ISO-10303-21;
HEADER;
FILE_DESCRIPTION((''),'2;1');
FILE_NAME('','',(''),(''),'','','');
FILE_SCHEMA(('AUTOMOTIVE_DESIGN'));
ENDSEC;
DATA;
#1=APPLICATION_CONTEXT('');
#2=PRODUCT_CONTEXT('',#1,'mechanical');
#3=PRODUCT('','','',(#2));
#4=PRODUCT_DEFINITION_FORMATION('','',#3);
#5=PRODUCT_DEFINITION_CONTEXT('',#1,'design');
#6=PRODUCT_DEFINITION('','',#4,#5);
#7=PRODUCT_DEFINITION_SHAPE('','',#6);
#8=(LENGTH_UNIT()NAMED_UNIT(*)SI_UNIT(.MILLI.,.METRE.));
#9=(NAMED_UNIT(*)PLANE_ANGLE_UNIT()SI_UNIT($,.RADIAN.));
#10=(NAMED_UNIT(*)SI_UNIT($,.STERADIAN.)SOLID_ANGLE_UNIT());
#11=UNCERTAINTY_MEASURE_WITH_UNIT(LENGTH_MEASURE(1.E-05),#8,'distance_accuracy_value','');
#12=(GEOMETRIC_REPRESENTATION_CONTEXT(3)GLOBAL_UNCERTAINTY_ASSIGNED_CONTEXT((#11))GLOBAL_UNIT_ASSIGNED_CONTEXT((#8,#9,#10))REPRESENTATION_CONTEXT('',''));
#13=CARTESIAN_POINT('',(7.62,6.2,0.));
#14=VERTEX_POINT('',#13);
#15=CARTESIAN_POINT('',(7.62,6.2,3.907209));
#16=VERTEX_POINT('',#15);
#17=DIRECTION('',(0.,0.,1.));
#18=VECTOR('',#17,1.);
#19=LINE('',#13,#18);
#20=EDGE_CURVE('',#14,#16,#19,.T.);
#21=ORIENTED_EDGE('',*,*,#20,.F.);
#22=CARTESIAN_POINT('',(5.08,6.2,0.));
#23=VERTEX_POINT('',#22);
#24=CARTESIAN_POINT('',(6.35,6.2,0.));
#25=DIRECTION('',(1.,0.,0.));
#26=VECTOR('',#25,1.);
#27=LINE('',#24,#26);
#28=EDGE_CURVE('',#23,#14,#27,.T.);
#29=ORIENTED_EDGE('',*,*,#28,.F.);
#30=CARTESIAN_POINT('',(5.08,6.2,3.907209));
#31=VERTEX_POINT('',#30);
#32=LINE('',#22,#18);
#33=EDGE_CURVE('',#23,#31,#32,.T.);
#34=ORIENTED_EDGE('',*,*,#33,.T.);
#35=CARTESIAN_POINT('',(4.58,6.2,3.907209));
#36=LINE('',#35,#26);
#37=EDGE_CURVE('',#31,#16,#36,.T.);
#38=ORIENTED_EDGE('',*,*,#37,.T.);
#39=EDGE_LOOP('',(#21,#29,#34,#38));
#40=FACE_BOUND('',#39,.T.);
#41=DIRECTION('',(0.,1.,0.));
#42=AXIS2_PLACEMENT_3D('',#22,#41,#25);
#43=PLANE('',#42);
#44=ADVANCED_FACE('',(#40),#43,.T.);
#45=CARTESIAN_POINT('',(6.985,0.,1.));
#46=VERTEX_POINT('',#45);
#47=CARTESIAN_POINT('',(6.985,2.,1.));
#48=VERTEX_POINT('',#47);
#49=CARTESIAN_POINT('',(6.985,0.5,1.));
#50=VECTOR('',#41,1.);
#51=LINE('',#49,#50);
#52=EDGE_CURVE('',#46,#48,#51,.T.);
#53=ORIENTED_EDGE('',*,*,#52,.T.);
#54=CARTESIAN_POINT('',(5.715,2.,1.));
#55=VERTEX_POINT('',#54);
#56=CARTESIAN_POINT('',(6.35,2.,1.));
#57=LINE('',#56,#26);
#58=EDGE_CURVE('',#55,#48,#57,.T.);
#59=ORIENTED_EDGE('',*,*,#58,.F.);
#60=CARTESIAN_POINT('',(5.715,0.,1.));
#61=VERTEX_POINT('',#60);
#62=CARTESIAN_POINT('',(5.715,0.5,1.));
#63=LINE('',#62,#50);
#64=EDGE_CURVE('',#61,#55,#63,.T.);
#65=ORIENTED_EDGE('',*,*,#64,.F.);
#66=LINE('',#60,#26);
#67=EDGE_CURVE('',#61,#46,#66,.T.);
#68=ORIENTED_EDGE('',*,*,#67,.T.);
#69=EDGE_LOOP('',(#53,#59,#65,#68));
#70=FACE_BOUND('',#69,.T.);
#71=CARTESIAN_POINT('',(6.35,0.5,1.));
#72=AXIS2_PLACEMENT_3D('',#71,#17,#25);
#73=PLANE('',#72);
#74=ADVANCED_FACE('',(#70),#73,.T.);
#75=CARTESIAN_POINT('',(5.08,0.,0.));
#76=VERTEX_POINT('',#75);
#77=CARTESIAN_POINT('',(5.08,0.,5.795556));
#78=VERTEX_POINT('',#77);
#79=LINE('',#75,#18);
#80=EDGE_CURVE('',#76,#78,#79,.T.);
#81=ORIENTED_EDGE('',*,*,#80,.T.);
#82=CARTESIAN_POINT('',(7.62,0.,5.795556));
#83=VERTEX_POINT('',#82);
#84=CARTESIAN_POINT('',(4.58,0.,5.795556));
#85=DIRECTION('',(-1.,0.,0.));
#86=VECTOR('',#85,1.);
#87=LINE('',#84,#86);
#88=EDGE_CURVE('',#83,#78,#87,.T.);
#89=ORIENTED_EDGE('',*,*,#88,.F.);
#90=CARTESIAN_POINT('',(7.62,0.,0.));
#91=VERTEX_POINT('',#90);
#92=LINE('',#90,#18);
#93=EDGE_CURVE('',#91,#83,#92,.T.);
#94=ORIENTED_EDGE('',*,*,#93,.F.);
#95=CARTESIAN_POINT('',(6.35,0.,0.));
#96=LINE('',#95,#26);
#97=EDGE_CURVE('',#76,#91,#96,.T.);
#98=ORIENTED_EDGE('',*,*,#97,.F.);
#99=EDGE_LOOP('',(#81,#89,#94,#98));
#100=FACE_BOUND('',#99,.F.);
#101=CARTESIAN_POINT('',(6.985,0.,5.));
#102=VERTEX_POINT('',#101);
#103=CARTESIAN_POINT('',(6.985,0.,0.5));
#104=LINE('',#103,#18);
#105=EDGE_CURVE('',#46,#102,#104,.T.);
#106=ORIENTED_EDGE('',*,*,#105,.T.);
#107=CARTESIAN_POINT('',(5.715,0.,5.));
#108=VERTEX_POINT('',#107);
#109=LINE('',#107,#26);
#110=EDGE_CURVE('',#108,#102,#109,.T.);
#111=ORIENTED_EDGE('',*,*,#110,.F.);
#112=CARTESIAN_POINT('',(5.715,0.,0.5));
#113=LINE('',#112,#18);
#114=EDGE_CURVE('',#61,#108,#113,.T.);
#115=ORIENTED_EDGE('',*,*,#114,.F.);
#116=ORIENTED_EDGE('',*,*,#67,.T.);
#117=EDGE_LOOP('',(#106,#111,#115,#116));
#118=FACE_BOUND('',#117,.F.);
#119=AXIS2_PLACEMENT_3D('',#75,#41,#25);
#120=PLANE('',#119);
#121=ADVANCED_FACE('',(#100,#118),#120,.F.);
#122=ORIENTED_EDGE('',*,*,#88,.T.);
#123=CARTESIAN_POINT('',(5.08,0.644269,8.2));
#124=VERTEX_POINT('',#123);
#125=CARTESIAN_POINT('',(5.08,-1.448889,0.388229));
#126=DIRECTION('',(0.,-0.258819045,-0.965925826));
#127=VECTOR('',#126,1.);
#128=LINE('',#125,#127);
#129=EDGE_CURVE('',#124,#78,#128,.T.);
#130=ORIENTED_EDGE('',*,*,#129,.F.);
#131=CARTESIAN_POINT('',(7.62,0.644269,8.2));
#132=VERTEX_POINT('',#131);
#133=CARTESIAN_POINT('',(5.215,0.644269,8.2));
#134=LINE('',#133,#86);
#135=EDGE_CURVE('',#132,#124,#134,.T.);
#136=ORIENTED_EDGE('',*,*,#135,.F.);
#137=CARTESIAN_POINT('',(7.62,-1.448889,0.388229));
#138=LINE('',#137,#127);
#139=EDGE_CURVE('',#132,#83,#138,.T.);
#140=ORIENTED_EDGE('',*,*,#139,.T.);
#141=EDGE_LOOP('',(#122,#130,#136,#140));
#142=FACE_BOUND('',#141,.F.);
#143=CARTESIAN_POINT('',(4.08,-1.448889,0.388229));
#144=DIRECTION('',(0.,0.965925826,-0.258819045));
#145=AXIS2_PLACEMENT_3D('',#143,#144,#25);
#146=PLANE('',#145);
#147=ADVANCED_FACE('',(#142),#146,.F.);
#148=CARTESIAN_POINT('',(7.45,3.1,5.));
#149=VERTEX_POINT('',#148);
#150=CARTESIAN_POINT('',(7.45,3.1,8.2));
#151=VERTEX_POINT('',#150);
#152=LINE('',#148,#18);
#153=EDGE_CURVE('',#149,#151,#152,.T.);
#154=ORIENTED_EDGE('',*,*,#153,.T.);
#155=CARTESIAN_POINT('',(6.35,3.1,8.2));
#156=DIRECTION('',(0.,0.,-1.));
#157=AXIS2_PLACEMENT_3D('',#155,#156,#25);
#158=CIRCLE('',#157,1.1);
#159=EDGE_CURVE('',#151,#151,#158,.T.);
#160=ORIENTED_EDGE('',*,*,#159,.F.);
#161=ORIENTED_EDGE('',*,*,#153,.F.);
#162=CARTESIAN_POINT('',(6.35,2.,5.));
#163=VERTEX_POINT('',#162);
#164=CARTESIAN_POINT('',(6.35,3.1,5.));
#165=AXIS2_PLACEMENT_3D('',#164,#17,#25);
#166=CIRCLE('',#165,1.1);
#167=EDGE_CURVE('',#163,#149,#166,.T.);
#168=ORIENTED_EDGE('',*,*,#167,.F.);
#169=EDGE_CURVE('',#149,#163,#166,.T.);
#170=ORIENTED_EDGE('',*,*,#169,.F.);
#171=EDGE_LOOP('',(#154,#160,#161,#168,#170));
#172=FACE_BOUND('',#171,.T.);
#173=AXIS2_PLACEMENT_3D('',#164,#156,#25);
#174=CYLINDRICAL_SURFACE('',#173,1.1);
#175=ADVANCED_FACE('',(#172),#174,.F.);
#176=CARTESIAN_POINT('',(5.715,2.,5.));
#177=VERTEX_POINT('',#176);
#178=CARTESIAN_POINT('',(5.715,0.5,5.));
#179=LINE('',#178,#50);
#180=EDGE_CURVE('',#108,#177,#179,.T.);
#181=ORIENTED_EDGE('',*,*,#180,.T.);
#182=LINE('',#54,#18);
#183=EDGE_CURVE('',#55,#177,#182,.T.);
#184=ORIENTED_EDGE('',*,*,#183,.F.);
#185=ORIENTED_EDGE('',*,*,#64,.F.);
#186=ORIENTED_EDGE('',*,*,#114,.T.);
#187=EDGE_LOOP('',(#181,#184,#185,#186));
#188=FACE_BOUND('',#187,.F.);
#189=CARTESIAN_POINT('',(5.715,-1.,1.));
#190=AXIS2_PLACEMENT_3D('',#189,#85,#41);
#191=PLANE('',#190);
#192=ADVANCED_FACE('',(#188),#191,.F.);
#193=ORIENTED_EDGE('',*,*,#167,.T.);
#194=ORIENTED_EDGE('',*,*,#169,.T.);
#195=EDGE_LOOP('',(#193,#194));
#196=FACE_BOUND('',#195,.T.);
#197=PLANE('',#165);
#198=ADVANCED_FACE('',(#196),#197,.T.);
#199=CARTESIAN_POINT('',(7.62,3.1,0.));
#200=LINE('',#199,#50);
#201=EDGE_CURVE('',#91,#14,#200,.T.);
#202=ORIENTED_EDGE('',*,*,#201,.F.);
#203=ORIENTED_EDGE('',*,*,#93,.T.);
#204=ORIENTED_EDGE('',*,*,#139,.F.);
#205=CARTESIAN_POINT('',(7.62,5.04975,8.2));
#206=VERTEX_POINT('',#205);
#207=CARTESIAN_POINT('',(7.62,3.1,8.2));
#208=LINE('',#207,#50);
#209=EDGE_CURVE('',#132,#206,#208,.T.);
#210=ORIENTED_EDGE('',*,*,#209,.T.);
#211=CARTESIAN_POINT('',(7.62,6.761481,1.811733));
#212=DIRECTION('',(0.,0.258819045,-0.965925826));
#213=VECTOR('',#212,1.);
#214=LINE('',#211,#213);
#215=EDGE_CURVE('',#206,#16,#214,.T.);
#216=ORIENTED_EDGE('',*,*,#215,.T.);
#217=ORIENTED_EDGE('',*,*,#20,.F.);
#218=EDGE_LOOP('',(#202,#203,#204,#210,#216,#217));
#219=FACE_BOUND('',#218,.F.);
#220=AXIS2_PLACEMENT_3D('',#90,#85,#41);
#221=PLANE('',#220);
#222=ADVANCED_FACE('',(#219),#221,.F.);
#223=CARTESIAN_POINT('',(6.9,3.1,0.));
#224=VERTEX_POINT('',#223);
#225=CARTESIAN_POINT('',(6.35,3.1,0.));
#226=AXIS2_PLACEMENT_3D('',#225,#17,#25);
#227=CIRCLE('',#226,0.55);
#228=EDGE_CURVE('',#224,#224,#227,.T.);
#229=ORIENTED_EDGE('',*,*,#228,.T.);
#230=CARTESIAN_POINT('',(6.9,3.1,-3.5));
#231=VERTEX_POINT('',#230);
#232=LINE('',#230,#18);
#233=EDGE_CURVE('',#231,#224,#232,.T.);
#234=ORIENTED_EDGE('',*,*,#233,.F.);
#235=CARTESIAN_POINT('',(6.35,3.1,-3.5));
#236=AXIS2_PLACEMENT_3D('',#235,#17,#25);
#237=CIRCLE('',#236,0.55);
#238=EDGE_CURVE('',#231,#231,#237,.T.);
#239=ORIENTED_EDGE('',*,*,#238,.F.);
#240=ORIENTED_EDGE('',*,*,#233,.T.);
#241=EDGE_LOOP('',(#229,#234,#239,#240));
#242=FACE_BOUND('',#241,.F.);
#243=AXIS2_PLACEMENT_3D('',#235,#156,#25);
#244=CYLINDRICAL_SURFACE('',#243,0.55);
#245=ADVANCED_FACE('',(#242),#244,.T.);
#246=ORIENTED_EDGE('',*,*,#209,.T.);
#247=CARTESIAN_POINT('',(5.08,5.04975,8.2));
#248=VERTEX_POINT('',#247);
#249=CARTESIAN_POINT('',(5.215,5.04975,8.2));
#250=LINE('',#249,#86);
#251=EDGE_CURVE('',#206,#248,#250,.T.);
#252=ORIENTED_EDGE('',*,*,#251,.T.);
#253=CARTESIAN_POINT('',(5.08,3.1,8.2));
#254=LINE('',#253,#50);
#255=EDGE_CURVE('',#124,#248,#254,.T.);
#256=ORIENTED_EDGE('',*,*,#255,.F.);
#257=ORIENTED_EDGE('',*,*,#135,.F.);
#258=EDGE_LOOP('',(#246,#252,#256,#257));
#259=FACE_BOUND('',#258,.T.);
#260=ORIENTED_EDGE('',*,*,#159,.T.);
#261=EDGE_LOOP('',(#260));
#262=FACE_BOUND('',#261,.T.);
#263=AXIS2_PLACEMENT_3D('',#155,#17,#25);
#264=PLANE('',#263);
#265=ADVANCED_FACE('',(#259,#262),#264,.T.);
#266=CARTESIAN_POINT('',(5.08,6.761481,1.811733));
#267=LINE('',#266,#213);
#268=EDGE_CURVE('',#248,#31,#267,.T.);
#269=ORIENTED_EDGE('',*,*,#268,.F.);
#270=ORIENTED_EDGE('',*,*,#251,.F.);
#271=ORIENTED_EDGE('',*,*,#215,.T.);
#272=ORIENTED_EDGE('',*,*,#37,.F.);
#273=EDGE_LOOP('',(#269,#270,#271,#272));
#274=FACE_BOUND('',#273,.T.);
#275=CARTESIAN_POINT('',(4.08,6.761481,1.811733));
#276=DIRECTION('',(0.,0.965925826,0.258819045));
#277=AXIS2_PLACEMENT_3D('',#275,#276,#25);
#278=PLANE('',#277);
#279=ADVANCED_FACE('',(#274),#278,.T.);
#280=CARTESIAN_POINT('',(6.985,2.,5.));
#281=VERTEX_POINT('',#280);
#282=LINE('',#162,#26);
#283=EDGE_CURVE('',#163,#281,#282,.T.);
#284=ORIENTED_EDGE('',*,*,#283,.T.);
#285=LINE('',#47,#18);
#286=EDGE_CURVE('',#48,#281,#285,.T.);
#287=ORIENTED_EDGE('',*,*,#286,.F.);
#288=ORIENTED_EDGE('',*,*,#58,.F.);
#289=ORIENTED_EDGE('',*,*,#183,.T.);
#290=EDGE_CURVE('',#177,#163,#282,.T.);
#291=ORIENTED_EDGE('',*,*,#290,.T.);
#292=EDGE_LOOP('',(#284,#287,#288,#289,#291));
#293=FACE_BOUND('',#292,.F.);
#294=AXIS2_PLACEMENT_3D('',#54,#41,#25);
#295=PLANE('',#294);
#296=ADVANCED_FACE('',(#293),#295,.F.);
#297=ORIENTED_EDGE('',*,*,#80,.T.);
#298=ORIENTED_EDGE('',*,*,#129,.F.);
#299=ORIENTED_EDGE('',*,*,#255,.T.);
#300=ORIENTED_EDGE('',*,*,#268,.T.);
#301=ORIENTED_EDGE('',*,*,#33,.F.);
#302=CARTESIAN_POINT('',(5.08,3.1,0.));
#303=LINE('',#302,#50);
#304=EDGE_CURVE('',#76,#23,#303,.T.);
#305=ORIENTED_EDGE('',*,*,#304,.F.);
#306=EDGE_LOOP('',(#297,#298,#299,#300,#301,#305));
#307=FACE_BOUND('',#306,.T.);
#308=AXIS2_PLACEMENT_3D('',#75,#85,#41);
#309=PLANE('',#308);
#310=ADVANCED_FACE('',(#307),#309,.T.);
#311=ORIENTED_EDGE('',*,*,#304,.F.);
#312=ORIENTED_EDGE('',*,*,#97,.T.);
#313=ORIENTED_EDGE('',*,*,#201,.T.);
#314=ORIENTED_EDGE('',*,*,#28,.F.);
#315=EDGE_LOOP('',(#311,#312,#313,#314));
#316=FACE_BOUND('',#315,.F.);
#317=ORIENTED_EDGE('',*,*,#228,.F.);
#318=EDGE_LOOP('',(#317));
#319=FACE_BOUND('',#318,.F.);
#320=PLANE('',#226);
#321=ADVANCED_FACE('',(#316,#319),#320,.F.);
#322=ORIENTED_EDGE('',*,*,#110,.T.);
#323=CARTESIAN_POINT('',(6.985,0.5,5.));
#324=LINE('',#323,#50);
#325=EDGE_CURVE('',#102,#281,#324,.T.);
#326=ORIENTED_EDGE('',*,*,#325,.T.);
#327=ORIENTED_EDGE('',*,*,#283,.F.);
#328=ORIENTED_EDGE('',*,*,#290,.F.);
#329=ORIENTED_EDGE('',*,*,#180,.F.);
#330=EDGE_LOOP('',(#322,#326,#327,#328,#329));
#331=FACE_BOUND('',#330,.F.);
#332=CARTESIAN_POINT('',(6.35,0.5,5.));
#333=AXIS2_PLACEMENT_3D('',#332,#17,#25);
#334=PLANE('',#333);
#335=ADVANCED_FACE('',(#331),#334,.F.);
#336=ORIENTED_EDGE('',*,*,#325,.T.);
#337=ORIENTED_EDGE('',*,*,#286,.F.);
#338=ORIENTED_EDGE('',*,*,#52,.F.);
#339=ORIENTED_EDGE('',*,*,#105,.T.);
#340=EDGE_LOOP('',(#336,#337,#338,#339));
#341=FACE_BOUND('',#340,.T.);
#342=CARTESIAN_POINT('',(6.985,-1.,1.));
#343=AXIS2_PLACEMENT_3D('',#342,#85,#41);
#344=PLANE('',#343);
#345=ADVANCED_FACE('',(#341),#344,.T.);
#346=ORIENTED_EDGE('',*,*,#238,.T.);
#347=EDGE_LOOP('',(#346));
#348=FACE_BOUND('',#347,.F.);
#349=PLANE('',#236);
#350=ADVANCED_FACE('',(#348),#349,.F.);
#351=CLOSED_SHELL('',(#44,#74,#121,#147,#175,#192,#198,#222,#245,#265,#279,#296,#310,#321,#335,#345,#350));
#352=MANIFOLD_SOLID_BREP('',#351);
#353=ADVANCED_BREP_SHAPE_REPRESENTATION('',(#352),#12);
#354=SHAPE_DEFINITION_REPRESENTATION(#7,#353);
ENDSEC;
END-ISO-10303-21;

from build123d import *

# Parameters (mm, degrees)
CYLINDER005_R           = 0.55
CYLINDER005_DEPTH       = 3.5
CYLINDER004_R           = 1.1
CYLINDER004_DEPTH       = 3.5
CUBE011_W               = 4
CUBE011_H               = 6
CUBE011_DEPTH           = 9
CUBE011_PLACEMENT_ANGLE = 15
CUBE010_W               = 4
CUBE010_H               = 6
CUBE010_DEPTH           = 8
CUBE010_PLACEMENT_ANGLE = 15
CUBE009_W               = 1.27
CUBE009_H               = 3
CUBE009_DEPTH           = 4
CUBE008_W               = 2.54
CUBE008_H               = 6.2
CUBE008_DEPTH           = 8.2


with BuildPart() as cylinder005:
    # cylinder005 → cylinder005 (new body)
    with BuildSketch(Plane(origin=(1.27, 3.1, -3.5), x_dir=(1, 0, 0), z_dir=(0, 0, 1))):
        Circle(CYLINDER005_R)
    extrude(amount=CYLINDER005_DEPTH)


with BuildPart() as cylinder004:
    # cylinder004 → cylinder004 (new body)
    with BuildSketch(Plane(origin=(1.27, 3.1, 5), x_dir=(1, 0, 0), z_dir=(0, 0, 1))):
        Circle(CYLINDER004_R)
    extrude(amount=CYLINDER004_DEPTH)


with BuildPart() as cube011:
    # cube011 → cube011 (new body)
    with BuildSketch(Plane.XY):
        with Locations((2, 3)):
            Rectangle(CUBE011_W, CUBE011_H)
    extrude(amount=CUBE011_DEPTH)


with BuildPart() as cube011_1:
    # cube011 placement: moved
    add(cube011.part.moved(Location((-1, -7.244444, 1.941143))).rotate(Axis((-1, -7.244444, 1.941143), (-1, 0, 0)), CUBE011_PLACEMENT_ANGLE))


with BuildPart() as cube010:
    # cube010 → cube010 (new body)
    with BuildSketch(Plane.XY):
        with Locations((2, 3)):
            Rectangle(CUBE010_W, CUBE010_H)
    extrude(amount=CUBE010_DEPTH)


with BuildPart() as cube010_1:
    # cube010 placement: moved
    add(cube010.part.moved(Location((-1, 6.761481, 1.811733))).rotate(Axis((-1, 6.761481, 1.811733), (1, 0, 0)), CUBE010_PLACEMENT_ANGLE))


with BuildPart() as cube009:
    # cube009 → cube009 (new body)
    with BuildSketch(Plane(origin=(0.635, -1, 1), x_dir=(1, 0, 0), z_dir=(0, 0, 1))):
        with Locations((0.635, 1.5)):
            Rectangle(CUBE009_W, CUBE009_H)
    extrude(amount=CUBE009_DEPTH)


with BuildPart() as group002:
    # cube008 → cube008 (new body)
    with BuildSketch(Plane.XY):
        with Locations((1.27, 3.1)):
            Rectangle(CUBE008_W, CUBE008_H)
    extrude(amount=CUBE008_DEPTH)

    # difference008: cut cube009
    add(cube009.part, mode=Mode.SUBTRACT)

    # difference009: cut cube010
    add(cube010_1.part, mode=Mode.SUBTRACT)

    # difference010: cut cube011
    add(cube011_1.part, mode=Mode.SUBTRACT)

    # difference011: cut cylinder004
    add(cylinder004.part, mode=Mode.SUBTRACT)

    # Group002: union cylinder005
    add(cylinder005.part)


with BuildPart() as group002_1:
    # Group002 placement: moved
    add(group002.part.moved(Location((5.08, 0, 0))))


solid = group002_1.part
